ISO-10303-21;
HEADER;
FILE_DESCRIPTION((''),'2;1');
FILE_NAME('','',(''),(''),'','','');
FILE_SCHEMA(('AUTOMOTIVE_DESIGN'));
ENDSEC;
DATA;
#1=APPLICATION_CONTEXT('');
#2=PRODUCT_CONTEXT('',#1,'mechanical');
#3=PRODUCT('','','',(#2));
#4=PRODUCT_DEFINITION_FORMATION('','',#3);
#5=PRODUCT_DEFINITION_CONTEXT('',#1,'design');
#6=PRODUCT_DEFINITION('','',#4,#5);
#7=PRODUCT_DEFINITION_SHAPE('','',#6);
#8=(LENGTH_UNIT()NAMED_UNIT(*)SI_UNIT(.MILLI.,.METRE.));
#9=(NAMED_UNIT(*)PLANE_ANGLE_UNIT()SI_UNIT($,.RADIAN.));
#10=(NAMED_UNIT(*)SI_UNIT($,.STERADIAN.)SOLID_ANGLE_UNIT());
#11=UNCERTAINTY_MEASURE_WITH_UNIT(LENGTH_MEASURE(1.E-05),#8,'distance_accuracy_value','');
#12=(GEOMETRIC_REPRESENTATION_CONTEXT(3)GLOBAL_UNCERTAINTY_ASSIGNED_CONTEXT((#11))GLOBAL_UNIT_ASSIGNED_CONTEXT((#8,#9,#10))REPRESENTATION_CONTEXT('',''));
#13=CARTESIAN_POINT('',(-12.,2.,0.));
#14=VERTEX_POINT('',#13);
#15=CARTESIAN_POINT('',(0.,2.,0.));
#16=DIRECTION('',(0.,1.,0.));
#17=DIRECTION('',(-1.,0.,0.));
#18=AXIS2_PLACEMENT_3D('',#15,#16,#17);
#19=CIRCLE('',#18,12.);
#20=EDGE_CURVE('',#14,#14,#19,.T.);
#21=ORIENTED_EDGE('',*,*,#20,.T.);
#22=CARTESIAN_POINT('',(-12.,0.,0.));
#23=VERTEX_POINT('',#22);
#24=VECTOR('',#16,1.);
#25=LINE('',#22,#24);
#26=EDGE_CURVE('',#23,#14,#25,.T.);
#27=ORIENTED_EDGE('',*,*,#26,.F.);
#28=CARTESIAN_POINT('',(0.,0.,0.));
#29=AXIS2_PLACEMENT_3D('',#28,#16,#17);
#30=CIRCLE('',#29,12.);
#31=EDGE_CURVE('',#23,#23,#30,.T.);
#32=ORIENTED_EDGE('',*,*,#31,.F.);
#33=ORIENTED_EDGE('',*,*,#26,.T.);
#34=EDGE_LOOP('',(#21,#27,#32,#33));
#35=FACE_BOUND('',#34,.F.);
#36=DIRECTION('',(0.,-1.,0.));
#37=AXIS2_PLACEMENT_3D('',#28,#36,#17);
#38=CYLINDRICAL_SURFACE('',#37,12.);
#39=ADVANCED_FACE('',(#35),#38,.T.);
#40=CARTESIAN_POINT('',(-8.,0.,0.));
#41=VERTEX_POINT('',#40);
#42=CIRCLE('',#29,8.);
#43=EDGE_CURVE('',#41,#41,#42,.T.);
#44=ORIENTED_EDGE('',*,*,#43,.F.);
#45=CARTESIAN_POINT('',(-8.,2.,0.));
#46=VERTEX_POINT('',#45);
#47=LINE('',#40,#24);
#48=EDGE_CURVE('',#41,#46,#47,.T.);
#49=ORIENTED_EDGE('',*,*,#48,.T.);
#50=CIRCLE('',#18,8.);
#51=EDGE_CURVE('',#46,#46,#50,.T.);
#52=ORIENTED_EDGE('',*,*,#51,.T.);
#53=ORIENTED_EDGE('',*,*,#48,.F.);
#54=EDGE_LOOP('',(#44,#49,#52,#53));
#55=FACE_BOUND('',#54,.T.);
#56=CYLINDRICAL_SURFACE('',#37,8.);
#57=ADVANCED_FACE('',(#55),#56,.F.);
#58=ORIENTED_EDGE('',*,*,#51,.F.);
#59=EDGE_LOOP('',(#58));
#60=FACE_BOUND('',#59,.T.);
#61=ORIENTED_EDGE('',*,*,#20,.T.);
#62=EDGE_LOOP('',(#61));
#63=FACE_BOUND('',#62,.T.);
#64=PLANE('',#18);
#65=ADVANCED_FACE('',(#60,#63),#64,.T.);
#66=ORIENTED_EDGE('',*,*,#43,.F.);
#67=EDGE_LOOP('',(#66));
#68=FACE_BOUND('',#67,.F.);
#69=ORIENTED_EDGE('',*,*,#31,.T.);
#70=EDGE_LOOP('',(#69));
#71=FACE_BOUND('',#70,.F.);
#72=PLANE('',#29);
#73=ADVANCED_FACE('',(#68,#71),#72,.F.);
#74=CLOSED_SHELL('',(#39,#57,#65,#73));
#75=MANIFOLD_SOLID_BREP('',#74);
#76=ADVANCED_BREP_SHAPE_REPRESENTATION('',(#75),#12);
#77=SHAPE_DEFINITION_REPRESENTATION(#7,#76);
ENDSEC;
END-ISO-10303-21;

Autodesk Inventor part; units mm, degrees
ref_plane "YZ Plane" through (0, 0, 0) normal (1, 0, 0) x (0, 1, 0)
ref_plane "XZ Plane" through (0, 0, 0) normal (0, 1, 0) x (-1, 0, 0)
ref_plane "XY Plane" through (0, 0, 0) normal (0, 0, 1) x (1, 0, 0)
sketch "Skizze1" plane through (0, 0, 0) normal (0, 1, 0) x (-1, 0, 0)
  circle A0 centre (0, 0) radius 12
  circle A1 centre (0, 0) radius 8
  dimension "d0" = 24
  dimension "d1" = 16
extrude "Extrusion1" add sketch "Skizze1" along normal blind 2
properties part number "20"
